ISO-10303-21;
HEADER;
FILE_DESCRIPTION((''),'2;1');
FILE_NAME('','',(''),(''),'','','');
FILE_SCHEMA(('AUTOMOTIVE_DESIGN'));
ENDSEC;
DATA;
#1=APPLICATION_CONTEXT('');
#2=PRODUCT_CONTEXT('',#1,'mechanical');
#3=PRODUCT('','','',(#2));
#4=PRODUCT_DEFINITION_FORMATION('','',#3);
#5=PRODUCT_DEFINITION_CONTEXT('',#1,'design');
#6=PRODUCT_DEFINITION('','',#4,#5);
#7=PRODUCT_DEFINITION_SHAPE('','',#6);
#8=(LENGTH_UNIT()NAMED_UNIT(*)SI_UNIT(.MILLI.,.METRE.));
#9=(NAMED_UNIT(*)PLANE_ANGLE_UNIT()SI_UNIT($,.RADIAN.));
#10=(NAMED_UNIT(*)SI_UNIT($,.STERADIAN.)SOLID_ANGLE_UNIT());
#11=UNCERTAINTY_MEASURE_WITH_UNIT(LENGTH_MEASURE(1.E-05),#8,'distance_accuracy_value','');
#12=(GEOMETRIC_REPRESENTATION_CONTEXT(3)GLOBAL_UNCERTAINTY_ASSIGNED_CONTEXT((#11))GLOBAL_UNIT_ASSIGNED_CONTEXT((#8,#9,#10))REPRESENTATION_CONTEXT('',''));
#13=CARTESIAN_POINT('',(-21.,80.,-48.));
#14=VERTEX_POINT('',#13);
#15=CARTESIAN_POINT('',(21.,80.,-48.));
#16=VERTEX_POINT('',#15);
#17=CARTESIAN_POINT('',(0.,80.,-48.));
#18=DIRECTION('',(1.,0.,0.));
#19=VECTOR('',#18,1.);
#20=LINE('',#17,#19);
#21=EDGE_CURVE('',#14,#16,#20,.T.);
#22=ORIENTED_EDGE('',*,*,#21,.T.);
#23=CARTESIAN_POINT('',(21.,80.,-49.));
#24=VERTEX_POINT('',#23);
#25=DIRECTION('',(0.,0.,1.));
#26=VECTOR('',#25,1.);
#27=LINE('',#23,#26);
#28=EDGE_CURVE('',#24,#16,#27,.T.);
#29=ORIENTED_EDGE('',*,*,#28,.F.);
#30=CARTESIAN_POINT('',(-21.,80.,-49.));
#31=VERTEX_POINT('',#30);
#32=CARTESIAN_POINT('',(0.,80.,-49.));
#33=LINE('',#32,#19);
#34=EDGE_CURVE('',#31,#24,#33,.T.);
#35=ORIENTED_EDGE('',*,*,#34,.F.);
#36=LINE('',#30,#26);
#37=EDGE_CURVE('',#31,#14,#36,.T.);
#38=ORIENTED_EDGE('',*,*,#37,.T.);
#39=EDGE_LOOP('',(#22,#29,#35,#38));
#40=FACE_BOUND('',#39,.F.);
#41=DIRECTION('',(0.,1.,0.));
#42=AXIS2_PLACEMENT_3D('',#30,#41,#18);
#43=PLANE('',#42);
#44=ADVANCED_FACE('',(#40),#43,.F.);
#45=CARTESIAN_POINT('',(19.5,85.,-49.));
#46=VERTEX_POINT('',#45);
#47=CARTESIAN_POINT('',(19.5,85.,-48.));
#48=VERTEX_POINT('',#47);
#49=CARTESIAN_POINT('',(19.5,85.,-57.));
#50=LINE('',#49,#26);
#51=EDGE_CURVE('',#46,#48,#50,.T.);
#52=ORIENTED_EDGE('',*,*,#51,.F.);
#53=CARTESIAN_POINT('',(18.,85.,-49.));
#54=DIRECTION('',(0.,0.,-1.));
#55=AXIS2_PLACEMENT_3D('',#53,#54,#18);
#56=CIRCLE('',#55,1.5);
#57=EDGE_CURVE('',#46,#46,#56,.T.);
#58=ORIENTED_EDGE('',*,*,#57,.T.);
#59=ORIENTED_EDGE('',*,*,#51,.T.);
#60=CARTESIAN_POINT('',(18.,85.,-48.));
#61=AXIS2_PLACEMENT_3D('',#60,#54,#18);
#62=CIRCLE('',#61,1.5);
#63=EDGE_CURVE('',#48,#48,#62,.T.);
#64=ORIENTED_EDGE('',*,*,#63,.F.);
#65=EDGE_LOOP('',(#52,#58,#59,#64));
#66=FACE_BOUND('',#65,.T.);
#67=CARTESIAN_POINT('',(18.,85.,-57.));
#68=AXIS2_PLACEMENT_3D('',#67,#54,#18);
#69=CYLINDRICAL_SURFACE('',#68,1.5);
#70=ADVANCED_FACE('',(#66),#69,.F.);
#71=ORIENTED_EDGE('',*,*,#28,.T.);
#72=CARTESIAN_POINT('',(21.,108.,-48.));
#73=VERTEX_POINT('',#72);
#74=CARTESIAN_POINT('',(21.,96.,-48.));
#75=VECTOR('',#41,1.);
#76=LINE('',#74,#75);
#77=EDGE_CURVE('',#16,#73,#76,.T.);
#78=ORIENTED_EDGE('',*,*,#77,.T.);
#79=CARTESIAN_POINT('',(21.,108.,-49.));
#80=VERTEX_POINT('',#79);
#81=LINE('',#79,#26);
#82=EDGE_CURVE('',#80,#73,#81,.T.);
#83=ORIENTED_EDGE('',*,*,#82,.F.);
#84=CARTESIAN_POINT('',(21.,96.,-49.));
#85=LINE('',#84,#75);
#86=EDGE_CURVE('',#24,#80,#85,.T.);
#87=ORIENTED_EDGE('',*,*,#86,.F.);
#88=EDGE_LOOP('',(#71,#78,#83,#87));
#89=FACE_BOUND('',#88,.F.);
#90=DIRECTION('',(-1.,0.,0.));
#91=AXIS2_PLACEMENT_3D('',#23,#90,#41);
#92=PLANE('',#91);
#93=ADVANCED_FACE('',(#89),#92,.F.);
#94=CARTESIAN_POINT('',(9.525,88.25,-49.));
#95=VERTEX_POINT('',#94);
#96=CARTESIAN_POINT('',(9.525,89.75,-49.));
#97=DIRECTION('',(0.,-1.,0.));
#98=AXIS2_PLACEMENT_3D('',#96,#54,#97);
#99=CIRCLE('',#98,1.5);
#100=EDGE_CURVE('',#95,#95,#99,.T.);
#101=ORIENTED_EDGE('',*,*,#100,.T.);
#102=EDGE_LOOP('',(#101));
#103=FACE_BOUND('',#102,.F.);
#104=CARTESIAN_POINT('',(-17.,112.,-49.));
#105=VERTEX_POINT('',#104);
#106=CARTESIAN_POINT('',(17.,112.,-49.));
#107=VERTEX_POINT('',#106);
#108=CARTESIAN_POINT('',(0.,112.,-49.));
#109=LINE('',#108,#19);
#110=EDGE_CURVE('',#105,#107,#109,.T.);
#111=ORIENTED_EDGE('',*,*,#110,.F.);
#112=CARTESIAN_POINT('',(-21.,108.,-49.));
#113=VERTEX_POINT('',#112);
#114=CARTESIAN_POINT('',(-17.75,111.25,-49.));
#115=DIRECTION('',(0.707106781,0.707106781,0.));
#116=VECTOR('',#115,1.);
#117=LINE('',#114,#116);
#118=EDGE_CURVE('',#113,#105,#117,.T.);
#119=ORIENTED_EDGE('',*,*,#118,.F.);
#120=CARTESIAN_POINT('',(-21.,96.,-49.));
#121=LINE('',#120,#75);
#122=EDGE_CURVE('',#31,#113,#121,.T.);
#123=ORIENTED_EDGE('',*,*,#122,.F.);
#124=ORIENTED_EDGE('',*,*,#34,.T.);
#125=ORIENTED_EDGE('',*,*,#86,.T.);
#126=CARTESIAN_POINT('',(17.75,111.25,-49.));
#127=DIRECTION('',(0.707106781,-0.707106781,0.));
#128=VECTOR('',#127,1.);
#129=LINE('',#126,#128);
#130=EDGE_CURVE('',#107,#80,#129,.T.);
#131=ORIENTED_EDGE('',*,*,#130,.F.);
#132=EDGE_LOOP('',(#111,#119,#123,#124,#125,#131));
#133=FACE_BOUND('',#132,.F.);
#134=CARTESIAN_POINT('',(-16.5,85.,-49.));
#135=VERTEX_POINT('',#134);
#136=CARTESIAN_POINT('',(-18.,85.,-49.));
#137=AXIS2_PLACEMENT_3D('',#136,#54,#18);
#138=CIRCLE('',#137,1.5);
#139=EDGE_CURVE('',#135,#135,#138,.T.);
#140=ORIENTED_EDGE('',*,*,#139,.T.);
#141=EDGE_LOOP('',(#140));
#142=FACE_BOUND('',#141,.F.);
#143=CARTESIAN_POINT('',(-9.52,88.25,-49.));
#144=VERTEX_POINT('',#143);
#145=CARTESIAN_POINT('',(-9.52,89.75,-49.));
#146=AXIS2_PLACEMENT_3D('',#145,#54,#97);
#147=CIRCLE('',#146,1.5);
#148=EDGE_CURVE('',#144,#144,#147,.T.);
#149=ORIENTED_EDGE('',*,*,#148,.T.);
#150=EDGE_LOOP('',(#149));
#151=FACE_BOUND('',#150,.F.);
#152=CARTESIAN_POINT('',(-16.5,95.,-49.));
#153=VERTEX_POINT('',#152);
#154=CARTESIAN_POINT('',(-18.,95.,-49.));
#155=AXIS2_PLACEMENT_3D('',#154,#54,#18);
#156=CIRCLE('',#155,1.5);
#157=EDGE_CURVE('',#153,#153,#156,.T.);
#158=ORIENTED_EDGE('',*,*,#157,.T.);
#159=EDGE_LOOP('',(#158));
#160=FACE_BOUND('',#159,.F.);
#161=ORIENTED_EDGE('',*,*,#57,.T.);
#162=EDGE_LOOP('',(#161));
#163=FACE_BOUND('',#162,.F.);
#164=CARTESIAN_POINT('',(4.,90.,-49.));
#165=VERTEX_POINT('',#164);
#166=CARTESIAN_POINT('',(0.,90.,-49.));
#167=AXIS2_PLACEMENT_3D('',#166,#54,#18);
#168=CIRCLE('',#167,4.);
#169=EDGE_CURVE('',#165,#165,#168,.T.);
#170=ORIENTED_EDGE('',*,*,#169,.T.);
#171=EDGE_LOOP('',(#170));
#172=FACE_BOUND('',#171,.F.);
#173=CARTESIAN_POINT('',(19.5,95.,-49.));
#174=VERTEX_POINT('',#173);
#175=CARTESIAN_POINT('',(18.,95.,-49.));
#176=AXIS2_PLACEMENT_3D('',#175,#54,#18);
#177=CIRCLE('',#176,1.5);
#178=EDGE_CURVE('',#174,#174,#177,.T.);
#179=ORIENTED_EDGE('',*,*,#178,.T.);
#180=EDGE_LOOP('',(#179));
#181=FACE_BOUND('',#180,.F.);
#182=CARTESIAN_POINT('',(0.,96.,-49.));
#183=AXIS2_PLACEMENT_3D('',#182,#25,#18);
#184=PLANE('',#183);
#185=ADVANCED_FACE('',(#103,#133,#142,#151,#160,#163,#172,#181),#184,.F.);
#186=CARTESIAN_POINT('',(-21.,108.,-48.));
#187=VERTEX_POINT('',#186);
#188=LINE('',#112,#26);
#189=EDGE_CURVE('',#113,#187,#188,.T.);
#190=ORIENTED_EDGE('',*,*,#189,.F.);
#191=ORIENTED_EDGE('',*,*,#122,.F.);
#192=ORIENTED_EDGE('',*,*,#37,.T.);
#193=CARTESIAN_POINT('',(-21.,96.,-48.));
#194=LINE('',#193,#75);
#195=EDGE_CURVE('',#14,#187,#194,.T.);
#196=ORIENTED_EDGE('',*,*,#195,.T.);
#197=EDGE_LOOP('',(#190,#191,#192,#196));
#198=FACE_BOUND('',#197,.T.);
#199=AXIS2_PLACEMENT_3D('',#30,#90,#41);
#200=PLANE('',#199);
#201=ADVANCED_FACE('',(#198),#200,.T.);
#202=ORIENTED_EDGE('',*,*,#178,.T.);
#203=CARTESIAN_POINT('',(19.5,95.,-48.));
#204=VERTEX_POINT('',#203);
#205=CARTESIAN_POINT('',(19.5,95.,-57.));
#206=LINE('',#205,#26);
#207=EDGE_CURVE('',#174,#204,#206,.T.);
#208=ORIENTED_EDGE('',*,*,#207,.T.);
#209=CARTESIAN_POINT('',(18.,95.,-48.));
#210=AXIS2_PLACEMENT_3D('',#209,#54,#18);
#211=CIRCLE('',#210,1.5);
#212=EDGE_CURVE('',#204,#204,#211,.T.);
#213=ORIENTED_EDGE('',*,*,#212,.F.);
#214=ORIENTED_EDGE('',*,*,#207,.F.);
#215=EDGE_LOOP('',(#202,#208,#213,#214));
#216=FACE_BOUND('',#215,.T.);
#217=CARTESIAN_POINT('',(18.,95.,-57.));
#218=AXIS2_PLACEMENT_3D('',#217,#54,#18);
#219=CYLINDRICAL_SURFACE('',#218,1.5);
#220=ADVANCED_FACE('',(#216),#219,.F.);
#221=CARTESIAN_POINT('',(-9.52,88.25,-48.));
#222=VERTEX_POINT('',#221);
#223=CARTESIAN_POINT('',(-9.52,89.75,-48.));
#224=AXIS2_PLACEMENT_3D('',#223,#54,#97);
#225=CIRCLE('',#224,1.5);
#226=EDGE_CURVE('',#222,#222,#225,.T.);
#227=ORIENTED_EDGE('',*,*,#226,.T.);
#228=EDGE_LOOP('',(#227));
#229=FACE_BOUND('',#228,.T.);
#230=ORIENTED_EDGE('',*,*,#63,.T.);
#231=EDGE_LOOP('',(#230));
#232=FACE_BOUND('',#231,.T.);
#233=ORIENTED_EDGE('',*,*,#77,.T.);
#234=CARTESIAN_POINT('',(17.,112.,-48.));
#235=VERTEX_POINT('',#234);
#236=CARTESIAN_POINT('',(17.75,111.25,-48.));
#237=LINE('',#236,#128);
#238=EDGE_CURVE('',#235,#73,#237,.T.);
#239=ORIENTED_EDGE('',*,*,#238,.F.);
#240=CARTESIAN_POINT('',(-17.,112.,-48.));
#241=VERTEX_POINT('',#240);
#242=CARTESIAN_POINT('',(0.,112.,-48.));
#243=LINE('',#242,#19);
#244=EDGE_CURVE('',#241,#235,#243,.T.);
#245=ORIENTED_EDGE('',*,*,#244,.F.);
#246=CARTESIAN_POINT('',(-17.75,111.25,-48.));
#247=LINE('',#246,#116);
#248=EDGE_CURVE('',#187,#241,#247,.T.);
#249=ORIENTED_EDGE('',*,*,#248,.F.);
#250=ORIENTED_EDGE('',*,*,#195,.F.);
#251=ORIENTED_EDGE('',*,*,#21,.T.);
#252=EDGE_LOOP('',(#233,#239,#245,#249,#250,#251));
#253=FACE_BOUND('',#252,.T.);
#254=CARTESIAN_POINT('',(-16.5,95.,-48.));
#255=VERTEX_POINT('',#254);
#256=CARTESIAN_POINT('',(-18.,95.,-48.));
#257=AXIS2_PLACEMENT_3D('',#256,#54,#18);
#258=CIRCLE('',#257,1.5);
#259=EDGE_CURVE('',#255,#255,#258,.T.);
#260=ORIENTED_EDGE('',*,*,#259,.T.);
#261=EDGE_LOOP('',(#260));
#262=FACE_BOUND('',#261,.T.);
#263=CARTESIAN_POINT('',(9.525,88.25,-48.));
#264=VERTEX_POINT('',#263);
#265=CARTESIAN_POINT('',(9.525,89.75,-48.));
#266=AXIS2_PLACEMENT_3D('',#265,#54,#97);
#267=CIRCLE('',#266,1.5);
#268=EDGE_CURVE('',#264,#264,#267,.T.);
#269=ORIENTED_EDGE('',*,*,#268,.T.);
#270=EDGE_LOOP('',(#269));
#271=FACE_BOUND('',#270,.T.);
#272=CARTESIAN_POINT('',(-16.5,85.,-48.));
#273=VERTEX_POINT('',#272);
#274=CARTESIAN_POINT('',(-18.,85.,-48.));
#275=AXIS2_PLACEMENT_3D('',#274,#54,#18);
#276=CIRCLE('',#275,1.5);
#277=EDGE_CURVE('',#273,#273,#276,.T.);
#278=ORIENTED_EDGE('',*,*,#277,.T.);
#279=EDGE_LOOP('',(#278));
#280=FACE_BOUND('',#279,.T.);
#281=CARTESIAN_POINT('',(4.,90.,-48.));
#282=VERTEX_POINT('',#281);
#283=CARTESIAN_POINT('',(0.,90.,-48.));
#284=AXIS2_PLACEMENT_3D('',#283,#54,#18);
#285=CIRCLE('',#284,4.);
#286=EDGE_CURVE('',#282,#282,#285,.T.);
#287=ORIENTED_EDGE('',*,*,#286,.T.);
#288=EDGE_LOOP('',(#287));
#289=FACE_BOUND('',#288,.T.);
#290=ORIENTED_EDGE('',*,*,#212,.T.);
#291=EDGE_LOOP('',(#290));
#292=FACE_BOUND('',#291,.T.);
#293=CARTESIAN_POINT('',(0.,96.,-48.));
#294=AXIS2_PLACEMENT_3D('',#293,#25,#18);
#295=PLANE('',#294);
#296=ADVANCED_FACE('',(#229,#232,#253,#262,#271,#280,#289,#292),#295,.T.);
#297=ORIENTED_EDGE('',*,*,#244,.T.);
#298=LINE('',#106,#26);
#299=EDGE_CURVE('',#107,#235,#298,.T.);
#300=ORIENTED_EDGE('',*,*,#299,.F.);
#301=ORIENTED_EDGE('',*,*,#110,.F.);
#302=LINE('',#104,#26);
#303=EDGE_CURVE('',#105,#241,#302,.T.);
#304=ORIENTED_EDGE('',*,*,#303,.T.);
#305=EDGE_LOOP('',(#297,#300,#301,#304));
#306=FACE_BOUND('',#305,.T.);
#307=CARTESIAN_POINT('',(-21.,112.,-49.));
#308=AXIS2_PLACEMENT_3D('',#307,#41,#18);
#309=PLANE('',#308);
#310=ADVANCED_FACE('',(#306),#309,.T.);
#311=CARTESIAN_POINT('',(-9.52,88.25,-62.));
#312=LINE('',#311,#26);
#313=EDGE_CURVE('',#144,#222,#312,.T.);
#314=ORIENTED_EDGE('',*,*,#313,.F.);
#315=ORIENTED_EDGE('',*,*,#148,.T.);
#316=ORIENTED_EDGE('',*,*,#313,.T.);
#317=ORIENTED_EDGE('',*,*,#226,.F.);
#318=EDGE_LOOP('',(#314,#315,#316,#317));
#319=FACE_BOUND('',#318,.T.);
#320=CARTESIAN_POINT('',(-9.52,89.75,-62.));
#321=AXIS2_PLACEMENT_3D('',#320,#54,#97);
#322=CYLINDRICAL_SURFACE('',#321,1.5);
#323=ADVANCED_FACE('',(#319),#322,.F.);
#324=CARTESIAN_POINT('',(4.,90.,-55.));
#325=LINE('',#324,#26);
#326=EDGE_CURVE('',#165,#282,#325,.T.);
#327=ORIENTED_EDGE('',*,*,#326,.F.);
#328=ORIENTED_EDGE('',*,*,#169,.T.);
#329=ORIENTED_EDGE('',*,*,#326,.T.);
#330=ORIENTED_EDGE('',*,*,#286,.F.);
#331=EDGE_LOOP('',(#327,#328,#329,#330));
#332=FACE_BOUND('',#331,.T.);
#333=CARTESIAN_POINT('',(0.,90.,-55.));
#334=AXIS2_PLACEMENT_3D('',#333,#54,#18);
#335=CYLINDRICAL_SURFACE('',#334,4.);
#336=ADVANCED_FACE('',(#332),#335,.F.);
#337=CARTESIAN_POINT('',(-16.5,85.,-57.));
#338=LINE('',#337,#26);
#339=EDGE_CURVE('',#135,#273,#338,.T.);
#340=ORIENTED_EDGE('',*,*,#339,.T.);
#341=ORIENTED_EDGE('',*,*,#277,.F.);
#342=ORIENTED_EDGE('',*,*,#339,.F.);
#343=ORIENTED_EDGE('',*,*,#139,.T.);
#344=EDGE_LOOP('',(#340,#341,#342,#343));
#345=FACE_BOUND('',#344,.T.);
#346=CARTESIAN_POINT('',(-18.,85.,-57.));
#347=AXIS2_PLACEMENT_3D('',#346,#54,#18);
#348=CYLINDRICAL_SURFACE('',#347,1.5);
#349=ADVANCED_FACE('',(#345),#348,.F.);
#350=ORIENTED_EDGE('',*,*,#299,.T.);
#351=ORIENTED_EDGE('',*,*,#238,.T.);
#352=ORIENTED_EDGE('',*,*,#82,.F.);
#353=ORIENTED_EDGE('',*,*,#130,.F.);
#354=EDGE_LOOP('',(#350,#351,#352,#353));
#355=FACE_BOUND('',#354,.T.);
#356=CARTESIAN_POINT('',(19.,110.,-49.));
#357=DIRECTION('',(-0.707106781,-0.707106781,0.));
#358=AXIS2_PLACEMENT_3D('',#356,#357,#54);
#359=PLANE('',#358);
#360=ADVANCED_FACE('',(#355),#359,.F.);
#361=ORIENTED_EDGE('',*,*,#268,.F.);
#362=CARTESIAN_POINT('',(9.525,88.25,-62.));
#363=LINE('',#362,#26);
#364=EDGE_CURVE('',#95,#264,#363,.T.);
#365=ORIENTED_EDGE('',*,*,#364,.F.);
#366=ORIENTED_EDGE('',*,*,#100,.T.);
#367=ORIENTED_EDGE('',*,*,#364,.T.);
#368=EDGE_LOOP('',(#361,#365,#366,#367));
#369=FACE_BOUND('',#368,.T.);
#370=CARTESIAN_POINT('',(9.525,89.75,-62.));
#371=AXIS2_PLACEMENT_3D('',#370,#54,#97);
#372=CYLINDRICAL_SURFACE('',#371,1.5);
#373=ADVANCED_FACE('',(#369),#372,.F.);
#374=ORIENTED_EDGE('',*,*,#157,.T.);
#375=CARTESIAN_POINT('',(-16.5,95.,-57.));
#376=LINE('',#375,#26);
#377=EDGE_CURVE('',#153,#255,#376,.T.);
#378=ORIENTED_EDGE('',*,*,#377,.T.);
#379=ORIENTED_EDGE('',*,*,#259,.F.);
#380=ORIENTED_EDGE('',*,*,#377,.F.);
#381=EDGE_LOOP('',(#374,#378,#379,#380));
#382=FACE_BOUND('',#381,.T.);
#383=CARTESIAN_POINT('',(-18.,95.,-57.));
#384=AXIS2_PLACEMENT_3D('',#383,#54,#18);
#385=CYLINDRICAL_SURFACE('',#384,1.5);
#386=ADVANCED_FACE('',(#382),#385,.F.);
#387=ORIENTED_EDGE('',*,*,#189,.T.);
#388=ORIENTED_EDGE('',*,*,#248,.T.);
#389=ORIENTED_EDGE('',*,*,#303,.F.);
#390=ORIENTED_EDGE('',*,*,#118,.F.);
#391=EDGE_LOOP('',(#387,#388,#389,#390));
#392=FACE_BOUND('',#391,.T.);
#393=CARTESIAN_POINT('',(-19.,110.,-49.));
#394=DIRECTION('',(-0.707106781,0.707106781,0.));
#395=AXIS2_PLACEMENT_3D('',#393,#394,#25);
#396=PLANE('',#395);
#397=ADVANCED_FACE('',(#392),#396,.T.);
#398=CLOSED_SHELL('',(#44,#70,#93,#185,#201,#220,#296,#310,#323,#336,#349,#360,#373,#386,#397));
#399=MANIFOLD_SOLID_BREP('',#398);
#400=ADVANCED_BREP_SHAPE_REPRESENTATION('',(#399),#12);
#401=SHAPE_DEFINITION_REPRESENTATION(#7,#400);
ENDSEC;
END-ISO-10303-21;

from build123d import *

# Parameters (mm, degrees)
CYLINDER1671_R              = 1.5
CYLINDER1671_DEPTH          = 20
CYLINDER1670_R              = 1.5
CYLINDER1670_DEPTH          = 20
COMPOUND820_ROLL_ANGLE      = 90
COMPOUND820_PLACEMENT_ANGLE = 90
CYLINDER1622_R              = 1.5
CYLINDER1622_DEPTH          = 60
CYLINDER1623_R              = 1.5
CYLINDER1623_DEPTH          = 60
CYLINDER1624_R              = 1.5
CYLINDER1624_DEPTH          = 60
CYLINDER1621_R              = 1.5
CYLINDER1621_DEPTH          = 60
CYLINDER1629_R              = 4
CYLINDER1629_DEPTH          = 48
BOX656_W                    = 42
BOX656_H                    = 32
BOX656_DEPTH                = 1
CHAMFER046_SIZE             = 4


with BuildPart() as v_lec1671:
    # Cylinder1671 → Cylinder1671 (new body)
    with BuildSketch(Plane(origin=(15.75, 114, 58.525), x_dir=(-1, 0, 0), z_dir=(0, 1, 0))):
        Circle(CYLINDER1671_R)
    extrude(amount=CYLINDER1671_DEPTH)


with BuildPart() as compound821:
    # Cylinder1670 → Cylinder1670 (new body)
    with BuildSketch(Plane(origin=(15.75, 114, 39.48), x_dir=(-1, 0, 0), z_dir=(0, 1, 0))):
        Circle(CYLINDER1670_R)
    extrude(amount=CYLINDER1670_DEPTH)

    # Compound820: union Válec1671
    add(v_lec1671.part)


with BuildPart() as compound821_1:
    # Compound820 roll: moved
    add(compound821.part.rotate(Axis((0, 0, 0), (1, 0, 0)), COMPOUND820_ROLL_ANGLE))


with BuildPart() as compound821_2:
    # Compound820 placement: moved
    add(compound821_1.part.moved(Location((-49, 0, -96))).rotate(Axis((-49, 0, -96), (0, 0, 1)), COMPOUND820_PLACEMENT_ANGLE))


with BuildPart() as compound821_3:
    # Compound821 placement: moved
    add(compound821_2.part.moved(Location((0, 74, -80))))


with BuildPart() as v_lec1622:
    # Cylinder1622 → Cylinder1622 (new body)
    with BuildSketch(Plane(origin=(18, 85, -57), x_dir=(1, 0, 0), z_dir=(0, 0, 1))):
        Circle(CYLINDER1622_R)
    extrude(amount=CYLINDER1622_DEPTH)


with BuildPart() as v_lec1623:
    # Cylinder1623 → Cylinder1623 (new body)
    with BuildSketch(Plane(origin=(-18, 85, -57), x_dir=(1, 0, 0), z_dir=(0, 0, 1))):
        Circle(CYLINDER1623_R)
    extrude(amount=CYLINDER1623_DEPTH)


with BuildPart() as v_lec1624:
    # Cylinder1624 → Cylinder1624 (new body)
    with BuildSketch(Plane(origin=(-18, 95, -57), x_dir=(1, 0, 0), z_dir=(0, 0, 1))):
        Circle(CYLINDER1624_R)
    extrude(amount=CYLINDER1624_DEPTH)


with BuildPart() as compound806:
    # Cylinder1621 → Cylinder1621 (new body)
    with BuildSketch(Plane(origin=(18, 95, -57), x_dir=(1, 0, 0), z_dir=(0, 0, 1))):
        Circle(CYLINDER1621_R)
    extrude(amount=CYLINDER1621_DEPTH)

    # Compound806: union Válec1622, Válec1623, Válec1624
    add(v_lec1622.part)
    add(v_lec1623.part)
    add(v_lec1624.part)


with BuildPart() as v_lec1629:
    # Cylinder1629 → Cylinder1629 (new body)
    with BuildSketch(Plane(origin=(0, 90, -55), x_dir=(1, 0, 0), z_dir=(0, 0, 1))):
        Circle(CYLINDER1629_R)
    extrude(amount=CYLINDER1629_DEPTH)


with BuildPart() as chamfer046:
    # Box656 → Box656 (new body)
    with BuildSketch(Plane(origin=(-21, 80, -49), x_dir=(1, 0, 0), z_dir=(0, 0, 1))):
        with Locations((21, 16)):
            Rectangle(BOX656_W, BOX656_H)
    extrude(amount=BOX656_DEPTH)

    # Cut318: cut Válec1629
    add(v_lec1629.part, mode=Mode.SUBTRACT)

    # Cut320: cut Compound806
    add(compound806.part, mode=Mode.SUBTRACT)

    # Cut333: cut Compound821
    add(compound821_3.part, mode=Mode.SUBTRACT)

    # Chamfer046
    chamfer046_edges = [chamfer046.edges().sort_by_distance(p)[0] for p in [
        (-21, 112, -48.5),
        (21, 112, -48.5),
    ]]
    chamfer(chamfer046_edges, length=CHAMFER046_SIZE)


solid = chamfer046.part
